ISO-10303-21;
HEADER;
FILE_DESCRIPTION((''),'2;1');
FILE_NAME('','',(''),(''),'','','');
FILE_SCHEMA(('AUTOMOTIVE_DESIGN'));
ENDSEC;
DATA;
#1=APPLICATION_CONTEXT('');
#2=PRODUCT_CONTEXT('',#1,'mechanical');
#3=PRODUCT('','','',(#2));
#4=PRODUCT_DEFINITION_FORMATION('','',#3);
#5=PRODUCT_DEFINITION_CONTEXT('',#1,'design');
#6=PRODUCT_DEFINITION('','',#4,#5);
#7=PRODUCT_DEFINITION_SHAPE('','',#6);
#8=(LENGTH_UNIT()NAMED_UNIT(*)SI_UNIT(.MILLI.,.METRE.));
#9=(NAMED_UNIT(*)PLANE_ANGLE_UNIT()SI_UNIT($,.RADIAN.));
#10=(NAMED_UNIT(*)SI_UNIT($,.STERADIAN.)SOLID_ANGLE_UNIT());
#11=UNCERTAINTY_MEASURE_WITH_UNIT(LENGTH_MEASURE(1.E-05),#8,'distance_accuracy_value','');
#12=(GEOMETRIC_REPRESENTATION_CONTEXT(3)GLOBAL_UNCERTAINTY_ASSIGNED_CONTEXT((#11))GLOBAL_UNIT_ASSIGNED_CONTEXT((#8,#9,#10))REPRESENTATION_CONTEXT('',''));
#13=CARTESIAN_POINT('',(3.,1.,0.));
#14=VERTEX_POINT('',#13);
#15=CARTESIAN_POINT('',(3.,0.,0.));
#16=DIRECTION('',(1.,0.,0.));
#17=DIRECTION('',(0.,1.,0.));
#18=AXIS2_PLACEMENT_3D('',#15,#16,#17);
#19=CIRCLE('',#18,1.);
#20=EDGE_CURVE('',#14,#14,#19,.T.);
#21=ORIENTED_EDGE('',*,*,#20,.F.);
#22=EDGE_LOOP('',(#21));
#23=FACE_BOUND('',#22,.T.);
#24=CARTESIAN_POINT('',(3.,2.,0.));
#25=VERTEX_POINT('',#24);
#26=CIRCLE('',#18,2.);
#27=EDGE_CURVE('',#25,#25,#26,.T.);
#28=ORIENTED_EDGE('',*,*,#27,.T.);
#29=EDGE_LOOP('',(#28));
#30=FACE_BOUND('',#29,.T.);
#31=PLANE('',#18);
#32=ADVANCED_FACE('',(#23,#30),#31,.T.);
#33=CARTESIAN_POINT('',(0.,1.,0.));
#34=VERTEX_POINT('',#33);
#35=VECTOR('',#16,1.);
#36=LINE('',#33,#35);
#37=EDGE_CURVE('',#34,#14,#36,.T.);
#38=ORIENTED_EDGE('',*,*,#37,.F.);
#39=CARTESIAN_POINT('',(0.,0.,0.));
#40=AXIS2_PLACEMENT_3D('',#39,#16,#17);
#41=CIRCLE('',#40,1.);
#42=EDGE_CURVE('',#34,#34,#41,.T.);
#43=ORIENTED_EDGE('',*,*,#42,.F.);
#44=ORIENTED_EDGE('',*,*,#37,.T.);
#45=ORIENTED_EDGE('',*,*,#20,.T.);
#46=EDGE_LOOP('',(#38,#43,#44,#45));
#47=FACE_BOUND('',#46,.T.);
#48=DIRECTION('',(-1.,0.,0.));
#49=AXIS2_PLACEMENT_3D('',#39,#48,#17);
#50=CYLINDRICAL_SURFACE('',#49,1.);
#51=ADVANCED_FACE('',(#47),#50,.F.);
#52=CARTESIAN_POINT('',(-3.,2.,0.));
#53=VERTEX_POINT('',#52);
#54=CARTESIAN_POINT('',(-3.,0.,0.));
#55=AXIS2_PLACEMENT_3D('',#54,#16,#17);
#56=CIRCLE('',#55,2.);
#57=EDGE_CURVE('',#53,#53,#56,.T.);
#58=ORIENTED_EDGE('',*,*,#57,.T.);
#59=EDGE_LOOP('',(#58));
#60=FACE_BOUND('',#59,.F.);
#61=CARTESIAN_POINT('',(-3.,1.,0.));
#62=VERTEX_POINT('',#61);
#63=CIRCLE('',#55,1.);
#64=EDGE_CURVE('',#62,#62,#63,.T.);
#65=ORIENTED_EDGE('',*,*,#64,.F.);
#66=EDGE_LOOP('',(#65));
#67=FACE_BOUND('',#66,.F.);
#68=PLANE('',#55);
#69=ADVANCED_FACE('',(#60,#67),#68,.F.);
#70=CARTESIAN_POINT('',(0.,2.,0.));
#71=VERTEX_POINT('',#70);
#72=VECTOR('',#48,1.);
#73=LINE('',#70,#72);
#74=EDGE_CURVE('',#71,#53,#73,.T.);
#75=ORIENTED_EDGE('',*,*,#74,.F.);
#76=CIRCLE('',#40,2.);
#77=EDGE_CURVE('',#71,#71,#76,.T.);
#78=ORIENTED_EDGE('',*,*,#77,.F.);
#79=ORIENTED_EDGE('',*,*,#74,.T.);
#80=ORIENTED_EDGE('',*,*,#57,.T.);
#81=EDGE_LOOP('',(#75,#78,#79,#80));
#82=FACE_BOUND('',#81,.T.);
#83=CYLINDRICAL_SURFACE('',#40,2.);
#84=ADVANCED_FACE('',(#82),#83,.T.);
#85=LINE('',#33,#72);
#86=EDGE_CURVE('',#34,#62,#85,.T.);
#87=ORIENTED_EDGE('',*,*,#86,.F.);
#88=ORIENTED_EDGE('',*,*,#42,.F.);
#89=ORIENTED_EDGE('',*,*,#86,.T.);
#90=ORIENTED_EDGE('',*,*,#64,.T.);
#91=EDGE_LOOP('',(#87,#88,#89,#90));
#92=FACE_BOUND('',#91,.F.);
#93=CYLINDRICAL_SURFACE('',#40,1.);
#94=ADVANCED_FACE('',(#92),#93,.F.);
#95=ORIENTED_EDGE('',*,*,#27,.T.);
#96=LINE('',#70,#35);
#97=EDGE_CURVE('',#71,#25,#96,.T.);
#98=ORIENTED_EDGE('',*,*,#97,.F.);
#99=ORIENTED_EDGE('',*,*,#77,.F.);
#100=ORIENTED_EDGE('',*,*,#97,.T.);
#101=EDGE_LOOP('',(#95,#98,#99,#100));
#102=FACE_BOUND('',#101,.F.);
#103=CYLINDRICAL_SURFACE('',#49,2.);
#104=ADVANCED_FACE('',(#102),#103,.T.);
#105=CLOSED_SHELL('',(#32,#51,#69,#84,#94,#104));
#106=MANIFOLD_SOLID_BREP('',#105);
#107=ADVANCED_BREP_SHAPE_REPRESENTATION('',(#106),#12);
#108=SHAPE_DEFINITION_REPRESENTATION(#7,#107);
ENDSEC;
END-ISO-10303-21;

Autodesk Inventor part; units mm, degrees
ref_plane "YZ Plane" through (0, 0, 0) normal (1, 0, 0) x (0, 1, 0)
ref_plane "XZ Plane" through (0, 0, 0) normal (0, 1, 0) x (-1, 0, 0)
ref_plane "XY Plane" through (0, 0, 0) normal (0, 0, 1) x (1, 0, 0)
sketch "Sketch1" plane through (0, 0, 0) normal (1, 0, 0) x (0, 1, 0)
  circle A0 centre (0, 0) radius 2
  circle A1 centre (0, 0) radius 1
  dimension "d0" = 4
  dimension "d1" = 2
extrude "Extrusion1" add sketch "Sketch1" along normal mid plane 6
properties part number "stub"
